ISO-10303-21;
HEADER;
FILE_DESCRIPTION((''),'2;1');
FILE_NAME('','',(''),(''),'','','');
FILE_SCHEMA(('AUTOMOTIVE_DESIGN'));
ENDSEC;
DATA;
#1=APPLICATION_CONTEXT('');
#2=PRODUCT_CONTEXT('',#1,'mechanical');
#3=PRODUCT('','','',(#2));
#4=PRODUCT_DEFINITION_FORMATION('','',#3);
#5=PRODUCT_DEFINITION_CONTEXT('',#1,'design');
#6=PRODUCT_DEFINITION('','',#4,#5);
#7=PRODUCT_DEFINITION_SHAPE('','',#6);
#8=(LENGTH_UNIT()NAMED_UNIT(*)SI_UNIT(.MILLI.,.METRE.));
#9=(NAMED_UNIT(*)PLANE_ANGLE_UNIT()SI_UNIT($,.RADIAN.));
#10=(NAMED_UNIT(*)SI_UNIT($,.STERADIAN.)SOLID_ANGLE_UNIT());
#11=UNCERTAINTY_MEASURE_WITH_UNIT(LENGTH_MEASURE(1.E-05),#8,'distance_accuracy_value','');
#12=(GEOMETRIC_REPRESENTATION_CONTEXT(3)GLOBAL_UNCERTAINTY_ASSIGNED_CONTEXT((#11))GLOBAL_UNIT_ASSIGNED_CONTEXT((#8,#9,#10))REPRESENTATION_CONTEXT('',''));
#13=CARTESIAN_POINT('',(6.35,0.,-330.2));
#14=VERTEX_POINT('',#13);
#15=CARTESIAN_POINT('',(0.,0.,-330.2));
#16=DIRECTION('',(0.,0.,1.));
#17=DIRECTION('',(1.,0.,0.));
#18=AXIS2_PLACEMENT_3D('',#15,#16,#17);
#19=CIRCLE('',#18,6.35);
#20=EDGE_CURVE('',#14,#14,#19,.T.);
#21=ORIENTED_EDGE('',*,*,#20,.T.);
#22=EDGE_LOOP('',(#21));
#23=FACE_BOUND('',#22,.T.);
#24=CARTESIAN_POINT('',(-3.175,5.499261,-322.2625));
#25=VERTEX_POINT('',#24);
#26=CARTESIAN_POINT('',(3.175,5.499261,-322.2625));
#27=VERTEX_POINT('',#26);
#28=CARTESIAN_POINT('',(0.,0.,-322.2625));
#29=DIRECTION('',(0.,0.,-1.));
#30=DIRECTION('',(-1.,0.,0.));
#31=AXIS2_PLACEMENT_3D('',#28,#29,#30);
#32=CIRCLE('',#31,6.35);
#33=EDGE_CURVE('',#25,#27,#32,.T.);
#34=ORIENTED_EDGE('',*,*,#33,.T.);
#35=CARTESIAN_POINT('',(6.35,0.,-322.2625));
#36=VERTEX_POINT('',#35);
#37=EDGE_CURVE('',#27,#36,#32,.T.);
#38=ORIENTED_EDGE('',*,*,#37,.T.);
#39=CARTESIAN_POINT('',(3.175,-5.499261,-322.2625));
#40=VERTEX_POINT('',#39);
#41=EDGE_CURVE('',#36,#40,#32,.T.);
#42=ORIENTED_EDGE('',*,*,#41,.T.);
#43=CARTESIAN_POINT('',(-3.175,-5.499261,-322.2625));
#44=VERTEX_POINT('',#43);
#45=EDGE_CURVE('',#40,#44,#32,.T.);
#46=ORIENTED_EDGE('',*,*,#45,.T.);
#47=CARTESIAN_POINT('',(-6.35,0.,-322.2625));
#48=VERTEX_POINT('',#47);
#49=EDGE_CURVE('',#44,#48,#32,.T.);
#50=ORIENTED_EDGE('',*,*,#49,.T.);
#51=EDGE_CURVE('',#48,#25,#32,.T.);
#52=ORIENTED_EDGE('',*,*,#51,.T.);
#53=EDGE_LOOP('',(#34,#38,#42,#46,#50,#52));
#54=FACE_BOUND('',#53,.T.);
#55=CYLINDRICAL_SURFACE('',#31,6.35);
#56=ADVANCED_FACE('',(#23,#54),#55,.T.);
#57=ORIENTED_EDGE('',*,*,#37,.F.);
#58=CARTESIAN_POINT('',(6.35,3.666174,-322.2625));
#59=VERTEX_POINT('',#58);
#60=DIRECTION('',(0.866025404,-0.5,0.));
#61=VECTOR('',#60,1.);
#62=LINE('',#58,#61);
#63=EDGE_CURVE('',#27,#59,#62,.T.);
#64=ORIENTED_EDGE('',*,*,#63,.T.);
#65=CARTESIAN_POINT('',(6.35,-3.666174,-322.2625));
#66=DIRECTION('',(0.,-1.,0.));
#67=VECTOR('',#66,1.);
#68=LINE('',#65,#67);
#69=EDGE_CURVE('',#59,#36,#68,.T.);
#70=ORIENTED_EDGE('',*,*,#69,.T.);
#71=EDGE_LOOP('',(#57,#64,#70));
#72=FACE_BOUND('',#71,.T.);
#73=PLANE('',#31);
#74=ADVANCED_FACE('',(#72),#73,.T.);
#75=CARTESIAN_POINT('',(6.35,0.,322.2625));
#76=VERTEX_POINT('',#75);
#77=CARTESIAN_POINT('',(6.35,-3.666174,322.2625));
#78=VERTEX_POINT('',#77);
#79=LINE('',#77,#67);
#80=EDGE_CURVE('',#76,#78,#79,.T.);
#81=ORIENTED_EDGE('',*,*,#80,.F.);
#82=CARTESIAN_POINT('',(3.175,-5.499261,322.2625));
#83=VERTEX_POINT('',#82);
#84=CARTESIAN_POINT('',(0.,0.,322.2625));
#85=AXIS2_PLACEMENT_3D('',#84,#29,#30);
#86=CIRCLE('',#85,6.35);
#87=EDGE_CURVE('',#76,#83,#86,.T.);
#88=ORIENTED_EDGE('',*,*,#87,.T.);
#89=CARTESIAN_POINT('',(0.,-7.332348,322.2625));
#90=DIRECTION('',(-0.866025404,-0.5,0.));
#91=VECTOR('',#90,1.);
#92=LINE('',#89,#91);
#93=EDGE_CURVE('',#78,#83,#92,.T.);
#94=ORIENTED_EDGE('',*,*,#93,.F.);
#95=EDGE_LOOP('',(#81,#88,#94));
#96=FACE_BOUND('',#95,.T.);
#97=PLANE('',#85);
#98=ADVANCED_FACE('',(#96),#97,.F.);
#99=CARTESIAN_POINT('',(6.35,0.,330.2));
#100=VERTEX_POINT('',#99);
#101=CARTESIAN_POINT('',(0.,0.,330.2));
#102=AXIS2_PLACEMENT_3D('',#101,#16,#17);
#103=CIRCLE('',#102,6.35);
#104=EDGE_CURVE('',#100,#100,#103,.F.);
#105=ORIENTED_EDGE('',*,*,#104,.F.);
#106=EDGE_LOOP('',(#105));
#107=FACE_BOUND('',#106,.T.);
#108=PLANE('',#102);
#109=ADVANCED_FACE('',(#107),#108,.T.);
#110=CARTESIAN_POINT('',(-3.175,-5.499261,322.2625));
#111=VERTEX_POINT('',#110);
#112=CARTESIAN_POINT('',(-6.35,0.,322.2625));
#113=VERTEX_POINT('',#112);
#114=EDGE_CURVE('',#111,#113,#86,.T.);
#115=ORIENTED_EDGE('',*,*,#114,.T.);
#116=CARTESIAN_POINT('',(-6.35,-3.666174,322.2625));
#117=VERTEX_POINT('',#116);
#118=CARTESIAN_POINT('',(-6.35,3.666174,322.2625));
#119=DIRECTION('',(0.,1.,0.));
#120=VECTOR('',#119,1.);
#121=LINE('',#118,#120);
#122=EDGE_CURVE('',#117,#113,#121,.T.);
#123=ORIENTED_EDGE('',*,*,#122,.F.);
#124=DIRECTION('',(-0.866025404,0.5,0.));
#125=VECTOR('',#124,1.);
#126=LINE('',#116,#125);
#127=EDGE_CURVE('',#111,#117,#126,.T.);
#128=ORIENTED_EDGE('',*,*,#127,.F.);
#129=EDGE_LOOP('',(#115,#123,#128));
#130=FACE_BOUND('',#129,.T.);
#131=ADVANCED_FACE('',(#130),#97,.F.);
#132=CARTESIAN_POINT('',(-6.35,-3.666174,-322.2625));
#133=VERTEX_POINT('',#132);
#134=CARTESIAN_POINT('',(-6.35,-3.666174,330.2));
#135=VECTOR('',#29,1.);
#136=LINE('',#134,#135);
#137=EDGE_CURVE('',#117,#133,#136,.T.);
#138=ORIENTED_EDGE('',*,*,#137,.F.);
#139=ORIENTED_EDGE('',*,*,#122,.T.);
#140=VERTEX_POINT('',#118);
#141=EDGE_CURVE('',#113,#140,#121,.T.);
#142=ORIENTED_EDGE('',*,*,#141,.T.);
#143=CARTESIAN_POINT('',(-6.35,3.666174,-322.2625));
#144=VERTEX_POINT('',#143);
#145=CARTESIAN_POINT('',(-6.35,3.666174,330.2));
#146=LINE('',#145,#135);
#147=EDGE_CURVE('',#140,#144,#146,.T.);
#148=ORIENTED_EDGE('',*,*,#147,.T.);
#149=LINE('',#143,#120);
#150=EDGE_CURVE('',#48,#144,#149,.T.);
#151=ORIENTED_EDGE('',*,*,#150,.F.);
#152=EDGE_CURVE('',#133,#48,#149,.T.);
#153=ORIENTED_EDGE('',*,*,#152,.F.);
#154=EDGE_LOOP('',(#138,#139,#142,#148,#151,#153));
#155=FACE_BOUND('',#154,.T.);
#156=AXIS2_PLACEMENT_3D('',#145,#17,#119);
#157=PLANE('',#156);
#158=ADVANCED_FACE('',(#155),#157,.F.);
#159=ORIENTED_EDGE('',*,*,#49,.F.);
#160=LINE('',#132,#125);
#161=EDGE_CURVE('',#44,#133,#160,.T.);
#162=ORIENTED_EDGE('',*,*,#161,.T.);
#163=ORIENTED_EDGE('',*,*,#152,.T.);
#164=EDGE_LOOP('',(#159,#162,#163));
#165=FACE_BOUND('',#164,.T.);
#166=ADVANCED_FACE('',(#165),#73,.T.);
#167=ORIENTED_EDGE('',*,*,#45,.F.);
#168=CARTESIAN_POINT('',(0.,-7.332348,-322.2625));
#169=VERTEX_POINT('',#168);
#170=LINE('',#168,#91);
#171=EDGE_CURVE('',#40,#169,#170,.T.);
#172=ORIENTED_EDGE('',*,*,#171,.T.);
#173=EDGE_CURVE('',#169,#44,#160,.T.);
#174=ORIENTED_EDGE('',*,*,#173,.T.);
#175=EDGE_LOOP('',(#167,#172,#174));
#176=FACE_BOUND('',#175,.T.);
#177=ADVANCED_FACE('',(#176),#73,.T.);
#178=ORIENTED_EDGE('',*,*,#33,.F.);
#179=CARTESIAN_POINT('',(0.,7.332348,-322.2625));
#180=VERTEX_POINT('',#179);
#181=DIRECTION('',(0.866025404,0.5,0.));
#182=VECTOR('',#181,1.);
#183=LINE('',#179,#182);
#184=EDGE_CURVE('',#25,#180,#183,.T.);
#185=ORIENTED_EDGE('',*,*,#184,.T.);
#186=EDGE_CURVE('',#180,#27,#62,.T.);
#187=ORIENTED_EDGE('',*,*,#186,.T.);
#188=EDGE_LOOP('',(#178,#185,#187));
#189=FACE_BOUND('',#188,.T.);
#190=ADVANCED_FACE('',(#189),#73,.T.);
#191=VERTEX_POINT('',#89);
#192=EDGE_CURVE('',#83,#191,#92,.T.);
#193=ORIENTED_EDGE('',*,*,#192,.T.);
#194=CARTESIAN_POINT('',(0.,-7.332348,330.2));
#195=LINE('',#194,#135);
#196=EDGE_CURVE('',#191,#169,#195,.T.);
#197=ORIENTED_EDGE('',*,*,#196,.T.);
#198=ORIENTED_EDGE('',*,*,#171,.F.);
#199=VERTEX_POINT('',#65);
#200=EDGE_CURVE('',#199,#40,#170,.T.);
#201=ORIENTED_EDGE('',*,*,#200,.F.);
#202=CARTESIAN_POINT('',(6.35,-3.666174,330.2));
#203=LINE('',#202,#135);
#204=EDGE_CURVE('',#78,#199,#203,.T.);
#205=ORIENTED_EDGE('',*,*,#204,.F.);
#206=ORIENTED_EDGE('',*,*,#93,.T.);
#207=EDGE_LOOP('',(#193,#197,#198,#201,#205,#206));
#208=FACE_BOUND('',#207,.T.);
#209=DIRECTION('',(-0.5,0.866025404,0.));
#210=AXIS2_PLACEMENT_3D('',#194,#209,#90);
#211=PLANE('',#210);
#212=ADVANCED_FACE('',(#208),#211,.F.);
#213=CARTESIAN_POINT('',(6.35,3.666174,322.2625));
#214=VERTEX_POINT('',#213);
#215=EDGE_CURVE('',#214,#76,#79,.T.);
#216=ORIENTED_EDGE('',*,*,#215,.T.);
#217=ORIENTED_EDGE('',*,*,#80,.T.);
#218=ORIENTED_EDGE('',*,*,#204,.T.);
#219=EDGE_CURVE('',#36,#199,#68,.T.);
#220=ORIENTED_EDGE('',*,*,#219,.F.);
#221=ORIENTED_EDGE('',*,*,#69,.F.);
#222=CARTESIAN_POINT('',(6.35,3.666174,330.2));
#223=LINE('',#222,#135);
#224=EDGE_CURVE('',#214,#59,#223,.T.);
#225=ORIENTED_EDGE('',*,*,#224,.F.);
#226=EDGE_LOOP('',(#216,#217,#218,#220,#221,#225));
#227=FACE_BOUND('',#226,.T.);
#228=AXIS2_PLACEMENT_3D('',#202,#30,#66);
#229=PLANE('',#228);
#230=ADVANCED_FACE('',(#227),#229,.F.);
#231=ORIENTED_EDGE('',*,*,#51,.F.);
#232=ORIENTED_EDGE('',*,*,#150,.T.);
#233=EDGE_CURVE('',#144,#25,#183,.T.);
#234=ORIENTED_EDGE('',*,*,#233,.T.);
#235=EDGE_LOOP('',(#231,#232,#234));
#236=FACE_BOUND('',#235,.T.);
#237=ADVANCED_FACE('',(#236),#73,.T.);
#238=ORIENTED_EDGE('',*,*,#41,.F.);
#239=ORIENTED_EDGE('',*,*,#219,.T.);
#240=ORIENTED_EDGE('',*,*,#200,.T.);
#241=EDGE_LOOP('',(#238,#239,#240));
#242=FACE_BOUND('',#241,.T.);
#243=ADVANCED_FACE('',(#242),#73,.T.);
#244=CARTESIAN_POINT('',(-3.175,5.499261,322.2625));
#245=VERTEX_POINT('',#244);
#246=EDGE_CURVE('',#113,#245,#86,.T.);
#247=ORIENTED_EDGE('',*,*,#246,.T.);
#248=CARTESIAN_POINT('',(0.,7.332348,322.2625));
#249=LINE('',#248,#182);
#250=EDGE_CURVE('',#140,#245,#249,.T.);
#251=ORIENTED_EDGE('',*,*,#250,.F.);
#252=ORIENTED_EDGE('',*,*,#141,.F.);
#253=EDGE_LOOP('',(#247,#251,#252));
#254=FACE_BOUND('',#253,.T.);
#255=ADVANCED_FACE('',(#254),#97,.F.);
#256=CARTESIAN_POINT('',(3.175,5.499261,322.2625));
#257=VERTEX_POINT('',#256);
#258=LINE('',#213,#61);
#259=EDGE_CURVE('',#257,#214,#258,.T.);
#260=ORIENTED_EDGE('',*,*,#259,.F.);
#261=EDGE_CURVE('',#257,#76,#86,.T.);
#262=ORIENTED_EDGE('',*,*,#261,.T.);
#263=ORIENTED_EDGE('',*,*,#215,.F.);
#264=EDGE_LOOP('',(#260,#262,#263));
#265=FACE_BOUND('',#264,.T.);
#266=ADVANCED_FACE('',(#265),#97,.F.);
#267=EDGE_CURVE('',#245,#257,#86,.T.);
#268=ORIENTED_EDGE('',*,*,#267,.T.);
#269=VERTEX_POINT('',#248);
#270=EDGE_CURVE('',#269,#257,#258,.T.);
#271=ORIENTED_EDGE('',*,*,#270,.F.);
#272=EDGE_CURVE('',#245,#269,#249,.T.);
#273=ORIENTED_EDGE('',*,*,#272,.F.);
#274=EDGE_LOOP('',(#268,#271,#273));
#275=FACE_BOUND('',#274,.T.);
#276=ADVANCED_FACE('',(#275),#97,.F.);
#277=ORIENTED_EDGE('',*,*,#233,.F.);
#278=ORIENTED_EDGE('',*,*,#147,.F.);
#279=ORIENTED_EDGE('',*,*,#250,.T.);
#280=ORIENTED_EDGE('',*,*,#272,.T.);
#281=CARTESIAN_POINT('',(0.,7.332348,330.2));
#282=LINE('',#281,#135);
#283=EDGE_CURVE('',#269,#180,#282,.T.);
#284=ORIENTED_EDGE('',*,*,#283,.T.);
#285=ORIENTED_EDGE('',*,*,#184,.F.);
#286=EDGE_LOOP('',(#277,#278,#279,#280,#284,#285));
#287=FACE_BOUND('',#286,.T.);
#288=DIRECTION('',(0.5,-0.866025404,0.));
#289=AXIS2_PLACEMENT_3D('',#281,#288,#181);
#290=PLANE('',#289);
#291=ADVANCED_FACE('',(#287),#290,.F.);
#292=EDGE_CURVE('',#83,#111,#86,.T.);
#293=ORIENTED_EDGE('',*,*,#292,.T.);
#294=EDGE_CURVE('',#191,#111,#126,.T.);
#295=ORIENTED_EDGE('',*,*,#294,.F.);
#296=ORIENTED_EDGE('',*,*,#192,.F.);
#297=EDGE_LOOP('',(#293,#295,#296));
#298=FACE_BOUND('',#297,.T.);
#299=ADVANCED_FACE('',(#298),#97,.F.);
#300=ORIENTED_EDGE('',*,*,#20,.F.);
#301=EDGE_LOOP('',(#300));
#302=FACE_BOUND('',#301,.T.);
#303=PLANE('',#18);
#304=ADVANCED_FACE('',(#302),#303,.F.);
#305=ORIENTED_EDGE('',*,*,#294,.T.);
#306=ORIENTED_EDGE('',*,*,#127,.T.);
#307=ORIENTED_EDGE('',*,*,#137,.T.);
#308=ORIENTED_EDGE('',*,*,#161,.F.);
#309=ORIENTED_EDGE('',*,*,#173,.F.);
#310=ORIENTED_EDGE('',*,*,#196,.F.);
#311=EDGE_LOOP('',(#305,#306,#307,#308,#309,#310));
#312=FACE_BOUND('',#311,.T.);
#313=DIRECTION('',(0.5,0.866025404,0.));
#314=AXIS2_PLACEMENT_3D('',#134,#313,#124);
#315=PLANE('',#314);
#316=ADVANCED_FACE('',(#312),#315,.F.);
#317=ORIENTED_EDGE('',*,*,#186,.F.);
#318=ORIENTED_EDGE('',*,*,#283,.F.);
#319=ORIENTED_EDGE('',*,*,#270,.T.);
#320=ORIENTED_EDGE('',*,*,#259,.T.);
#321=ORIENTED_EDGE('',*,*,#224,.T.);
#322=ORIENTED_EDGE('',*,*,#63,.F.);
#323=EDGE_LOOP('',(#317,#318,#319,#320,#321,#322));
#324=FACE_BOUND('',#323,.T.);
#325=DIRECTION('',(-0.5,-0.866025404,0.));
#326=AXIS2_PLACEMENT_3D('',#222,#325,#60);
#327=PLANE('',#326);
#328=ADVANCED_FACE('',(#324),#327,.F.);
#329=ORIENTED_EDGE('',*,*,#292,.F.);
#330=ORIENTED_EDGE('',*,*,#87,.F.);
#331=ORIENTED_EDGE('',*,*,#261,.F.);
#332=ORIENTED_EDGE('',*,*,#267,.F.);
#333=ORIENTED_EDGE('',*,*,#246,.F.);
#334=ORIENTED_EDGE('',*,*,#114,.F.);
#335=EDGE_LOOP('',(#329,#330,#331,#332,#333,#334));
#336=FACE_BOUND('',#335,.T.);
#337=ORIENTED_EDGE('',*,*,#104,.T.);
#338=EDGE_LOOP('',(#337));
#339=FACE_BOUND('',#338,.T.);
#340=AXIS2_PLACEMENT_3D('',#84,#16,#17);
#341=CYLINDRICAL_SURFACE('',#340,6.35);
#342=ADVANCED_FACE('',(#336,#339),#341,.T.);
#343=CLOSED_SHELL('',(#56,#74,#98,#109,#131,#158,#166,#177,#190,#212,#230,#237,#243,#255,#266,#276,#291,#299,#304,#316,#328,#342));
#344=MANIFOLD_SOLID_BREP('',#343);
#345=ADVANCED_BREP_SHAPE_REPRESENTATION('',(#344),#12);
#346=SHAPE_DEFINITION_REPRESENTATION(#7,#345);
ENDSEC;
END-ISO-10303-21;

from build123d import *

# Parameters (mm, degrees)
BOSS_EXTRUDE1_DEPTH     = 330.2
SKETCH2_R               = 8.89
SKETCH2_R_2             = 6.35
CUT_EXTRUDE_THIN1_DEPTH = 7.9375


with BuildPart() as part:
    # Sketch1 → Boss-Extrude1 (new, symmetric)
    with BuildSketch(Plane.XY):
        Polygon((0, 7.332348419), (-6.35, 3.666174209), (-6.35, -3.666174209), (0, -7.332348419), (6.35, -3.666174209), (6.35, 3.666174209), align=None)
    extrude(amount=BOSS_EXTRUDE1_DEPTH, both=True)

    # Sketch2 → Cut-Extrude-Thin1 (cut)
    with BuildSketch(Plane(origin=(0, 0, -330.2), x_dir=(-1, 0, 0), z_dir=(0, 0, -1))):
        Circle(SKETCH2_R)
        Circle(SKETCH2_R_2, mode=Mode.SUBTRACT)
    cut_extrude_thin1 = extrude(amount=-CUT_EXTRUDE_THIN1_DEPTH, mode=Mode.SUBTRACT)

    # Mirror1: Cut-Extrude-Thin1 across plane
    add(cut_extrude_thin1.mirror(Plane.XY), mode=Mode.SUBTRACT)


solid = part.part
